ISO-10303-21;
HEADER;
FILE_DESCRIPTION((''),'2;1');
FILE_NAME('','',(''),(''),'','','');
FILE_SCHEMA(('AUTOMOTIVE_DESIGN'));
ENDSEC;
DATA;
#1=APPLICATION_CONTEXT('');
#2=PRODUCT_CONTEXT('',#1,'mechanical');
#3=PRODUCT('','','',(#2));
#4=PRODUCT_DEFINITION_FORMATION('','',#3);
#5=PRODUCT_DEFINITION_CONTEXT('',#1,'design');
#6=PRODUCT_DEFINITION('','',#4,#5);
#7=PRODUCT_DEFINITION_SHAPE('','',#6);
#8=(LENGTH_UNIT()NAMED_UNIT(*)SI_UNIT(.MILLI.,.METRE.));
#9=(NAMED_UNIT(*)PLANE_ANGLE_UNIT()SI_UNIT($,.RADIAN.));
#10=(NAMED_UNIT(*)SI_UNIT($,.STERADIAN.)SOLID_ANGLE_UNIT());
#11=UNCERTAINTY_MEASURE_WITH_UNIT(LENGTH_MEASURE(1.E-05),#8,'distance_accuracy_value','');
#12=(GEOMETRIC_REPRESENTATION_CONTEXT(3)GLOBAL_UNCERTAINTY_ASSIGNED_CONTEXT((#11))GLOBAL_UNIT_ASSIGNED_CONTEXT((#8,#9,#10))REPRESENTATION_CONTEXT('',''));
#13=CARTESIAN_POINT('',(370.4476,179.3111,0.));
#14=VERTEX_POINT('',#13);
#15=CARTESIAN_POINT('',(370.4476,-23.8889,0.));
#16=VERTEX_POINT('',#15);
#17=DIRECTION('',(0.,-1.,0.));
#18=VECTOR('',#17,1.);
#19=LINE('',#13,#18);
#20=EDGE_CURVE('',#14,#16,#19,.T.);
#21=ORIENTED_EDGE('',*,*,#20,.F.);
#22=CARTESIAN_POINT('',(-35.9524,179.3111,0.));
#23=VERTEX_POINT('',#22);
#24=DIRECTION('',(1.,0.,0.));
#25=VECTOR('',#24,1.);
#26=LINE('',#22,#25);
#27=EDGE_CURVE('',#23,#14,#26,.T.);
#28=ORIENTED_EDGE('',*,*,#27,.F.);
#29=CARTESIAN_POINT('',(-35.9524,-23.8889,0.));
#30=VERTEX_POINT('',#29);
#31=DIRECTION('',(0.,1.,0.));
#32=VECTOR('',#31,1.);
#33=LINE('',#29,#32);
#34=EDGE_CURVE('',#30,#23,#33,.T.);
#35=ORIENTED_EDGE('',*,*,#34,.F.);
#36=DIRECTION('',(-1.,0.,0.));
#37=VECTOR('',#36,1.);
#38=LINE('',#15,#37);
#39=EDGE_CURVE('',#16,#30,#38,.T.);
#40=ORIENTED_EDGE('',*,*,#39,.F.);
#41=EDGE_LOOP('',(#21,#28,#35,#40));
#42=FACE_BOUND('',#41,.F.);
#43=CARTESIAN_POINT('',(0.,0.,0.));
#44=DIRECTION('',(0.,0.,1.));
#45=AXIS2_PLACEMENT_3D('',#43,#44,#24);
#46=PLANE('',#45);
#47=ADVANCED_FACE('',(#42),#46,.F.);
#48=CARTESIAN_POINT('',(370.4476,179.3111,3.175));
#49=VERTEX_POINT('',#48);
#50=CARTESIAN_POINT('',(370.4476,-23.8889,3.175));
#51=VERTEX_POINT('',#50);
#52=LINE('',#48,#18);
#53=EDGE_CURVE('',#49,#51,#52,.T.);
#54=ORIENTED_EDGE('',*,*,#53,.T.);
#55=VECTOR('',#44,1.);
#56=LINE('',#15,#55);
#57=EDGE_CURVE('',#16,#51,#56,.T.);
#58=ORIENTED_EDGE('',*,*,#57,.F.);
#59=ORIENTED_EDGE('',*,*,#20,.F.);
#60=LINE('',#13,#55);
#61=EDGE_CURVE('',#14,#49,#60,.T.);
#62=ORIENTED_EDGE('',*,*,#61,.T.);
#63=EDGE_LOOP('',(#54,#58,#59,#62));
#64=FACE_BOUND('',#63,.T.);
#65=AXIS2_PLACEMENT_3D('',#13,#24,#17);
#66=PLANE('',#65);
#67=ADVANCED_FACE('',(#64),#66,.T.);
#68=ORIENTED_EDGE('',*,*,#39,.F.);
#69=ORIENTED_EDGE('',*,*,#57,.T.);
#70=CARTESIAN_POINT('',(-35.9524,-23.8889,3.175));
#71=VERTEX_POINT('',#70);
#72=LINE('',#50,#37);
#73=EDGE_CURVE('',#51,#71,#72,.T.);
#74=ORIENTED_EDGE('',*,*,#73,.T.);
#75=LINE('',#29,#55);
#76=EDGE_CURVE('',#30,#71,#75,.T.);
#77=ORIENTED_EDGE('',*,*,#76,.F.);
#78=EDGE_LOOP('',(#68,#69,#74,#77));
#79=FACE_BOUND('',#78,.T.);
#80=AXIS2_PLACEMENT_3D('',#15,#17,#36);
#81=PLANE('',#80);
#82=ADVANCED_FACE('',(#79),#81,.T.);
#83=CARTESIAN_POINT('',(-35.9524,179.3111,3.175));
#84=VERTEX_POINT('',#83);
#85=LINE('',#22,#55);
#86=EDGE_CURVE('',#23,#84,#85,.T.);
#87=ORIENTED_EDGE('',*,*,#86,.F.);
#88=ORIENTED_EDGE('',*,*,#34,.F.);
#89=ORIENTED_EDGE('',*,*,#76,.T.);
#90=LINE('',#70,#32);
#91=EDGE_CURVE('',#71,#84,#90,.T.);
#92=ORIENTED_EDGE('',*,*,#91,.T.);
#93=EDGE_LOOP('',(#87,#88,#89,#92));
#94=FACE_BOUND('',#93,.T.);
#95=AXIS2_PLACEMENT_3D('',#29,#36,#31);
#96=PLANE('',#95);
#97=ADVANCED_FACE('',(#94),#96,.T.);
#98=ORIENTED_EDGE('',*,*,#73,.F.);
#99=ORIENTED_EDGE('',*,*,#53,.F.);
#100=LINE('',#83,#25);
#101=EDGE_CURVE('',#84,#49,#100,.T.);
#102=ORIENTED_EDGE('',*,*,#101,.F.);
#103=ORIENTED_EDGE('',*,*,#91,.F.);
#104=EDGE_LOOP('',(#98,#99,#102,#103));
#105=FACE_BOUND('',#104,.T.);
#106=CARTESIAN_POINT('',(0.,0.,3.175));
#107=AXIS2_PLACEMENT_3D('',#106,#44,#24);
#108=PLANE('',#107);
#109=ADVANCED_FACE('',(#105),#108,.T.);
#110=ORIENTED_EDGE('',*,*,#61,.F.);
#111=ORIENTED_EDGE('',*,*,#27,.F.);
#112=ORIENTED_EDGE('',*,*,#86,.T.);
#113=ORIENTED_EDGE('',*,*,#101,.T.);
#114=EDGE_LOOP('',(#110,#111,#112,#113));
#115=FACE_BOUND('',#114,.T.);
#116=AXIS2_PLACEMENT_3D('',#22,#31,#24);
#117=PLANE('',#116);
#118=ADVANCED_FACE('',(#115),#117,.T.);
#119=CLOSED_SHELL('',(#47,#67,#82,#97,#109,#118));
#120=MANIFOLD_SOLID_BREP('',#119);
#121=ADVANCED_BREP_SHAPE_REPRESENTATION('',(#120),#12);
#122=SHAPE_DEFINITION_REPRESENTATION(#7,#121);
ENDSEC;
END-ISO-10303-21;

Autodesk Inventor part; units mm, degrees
ref_plane "YZ Plane" through (0, 0, 0) normal (1, 0, 0) x (0, 1, 0)
ref_plane "XZ Plane" through (0, 0, 0) normal (0, 1, 0) x (-1, 0, 0)
ref_plane "XY Plane" through (0, 0, 0) normal (0, 0, 1) x (1, 0, 0)
sketch "Sketch1" plane through (0, 0, 0) normal (0, 0, 1) x (1, 0, 0)
  line L0 (-35.9524, 179.3111) -> (370.4476, 179.3111)
  line L1 (370.4476, 179.3111) -> (370.4476, -23.8889)
  line L2 (370.4476, -23.8889) -> (-35.9524, -23.8889)
  line L3 (-35.9524, -23.8889) -> (-35.9524, 179.3111)
  dimension "d0" = 406.4
  dimension "d1" = 203.2
extrude "Extrusion1" add sketch "Sketch1" along normal blind 3.175
properties part number "GE-12028-02"
